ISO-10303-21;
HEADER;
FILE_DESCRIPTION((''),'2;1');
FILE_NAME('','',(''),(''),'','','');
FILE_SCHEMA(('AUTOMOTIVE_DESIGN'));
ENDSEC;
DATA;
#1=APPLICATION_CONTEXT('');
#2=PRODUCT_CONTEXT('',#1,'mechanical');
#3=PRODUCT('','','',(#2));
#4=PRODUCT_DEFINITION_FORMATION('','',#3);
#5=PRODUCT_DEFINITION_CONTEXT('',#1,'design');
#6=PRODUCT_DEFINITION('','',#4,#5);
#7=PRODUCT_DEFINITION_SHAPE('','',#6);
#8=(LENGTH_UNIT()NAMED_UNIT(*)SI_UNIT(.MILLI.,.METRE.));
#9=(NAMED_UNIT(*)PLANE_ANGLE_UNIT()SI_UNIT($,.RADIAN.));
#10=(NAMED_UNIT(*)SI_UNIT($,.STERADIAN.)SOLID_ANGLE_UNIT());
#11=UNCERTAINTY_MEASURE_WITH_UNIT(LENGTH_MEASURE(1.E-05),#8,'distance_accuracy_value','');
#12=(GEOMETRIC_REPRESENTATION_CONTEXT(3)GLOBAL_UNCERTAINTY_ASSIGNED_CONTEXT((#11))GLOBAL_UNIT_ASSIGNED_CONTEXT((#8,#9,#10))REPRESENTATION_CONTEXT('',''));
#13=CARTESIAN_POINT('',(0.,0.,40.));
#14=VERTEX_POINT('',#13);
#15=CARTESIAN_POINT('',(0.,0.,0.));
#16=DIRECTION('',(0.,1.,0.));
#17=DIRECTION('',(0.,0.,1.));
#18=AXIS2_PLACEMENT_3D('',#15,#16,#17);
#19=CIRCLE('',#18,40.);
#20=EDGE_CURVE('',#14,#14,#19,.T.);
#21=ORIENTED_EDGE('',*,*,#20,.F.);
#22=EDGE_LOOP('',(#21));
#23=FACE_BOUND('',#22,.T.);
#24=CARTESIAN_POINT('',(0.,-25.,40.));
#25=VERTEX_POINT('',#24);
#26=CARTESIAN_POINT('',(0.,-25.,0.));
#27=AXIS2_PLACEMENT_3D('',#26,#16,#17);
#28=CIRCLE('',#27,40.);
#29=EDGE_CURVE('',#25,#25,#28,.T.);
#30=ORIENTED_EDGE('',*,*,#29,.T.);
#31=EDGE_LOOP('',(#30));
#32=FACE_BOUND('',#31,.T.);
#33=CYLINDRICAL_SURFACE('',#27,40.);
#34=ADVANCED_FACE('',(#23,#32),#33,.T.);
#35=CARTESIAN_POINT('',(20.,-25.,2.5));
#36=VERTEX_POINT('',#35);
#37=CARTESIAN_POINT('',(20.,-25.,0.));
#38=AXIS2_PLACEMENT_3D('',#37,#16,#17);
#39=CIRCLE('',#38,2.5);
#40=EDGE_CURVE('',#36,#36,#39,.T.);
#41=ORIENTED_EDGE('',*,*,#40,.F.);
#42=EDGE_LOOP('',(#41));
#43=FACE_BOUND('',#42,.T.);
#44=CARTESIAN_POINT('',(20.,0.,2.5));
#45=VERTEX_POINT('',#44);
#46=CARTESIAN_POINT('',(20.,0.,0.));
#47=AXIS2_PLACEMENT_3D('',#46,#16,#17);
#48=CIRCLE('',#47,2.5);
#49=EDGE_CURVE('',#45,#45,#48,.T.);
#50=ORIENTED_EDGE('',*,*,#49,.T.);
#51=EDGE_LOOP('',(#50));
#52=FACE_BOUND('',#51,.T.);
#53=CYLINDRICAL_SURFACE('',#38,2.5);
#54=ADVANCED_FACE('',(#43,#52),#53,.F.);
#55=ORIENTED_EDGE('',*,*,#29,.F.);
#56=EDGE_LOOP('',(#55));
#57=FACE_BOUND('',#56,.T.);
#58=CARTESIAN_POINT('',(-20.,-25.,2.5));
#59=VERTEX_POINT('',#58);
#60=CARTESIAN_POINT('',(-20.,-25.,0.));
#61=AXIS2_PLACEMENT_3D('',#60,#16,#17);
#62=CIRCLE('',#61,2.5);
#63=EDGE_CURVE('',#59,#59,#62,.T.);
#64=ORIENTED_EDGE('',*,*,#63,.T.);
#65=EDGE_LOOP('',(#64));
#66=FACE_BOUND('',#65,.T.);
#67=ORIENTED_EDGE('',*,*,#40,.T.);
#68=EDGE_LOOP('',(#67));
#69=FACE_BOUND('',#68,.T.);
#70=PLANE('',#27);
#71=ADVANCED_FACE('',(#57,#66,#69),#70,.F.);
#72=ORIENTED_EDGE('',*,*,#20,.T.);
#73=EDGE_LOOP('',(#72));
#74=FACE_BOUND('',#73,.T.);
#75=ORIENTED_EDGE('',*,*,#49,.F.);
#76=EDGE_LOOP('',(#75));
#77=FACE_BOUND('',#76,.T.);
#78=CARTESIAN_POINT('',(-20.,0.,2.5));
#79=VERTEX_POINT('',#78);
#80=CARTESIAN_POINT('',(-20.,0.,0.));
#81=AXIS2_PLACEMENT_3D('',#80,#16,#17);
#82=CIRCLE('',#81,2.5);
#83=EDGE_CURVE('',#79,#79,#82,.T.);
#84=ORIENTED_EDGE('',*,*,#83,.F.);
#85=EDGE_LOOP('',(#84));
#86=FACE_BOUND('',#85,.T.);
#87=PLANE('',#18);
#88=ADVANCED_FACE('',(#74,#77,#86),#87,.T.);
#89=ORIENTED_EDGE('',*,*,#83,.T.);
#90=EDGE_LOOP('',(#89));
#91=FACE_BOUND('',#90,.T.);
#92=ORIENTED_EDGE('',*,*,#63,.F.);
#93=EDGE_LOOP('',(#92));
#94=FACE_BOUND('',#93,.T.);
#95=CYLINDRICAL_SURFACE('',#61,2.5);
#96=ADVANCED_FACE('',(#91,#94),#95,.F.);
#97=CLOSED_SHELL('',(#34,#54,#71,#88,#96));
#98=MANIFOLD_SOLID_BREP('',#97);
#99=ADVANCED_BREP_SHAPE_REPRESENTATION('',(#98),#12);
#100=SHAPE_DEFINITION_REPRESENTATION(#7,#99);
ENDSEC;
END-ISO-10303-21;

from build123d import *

# Parameters (mm, degrees)
SKETCH1_R           = 40
SKETCH1_R_2         = 2.5
BOSS_EXTRUDE1_DEPTH = 25


with BuildPart() as part:
    # Sketch1 → Boss-Extrude1 (new body)
    with BuildSketch(Plane(origin=(0, 0, 0), x_dir=(1, 0, 0), z_dir=(0, 1, 0))):
        with Locations(Location((0, 0, 0), (0, 0, 270))):
            Circle(SKETCH1_R)
        with Locations(Location((-20, 0, 0), (0, 0, 270))):
            Circle(SKETCH1_R_2, mode=Mode.SUBTRACT)
        with Locations(Location((20, 0, 0), (0, 0, 270))):
            Circle(SKETCH1_R_2, mode=Mode.SUBTRACT)
    extrude(amount=-BOSS_EXTRUDE1_DEPTH)


solid = part.part
